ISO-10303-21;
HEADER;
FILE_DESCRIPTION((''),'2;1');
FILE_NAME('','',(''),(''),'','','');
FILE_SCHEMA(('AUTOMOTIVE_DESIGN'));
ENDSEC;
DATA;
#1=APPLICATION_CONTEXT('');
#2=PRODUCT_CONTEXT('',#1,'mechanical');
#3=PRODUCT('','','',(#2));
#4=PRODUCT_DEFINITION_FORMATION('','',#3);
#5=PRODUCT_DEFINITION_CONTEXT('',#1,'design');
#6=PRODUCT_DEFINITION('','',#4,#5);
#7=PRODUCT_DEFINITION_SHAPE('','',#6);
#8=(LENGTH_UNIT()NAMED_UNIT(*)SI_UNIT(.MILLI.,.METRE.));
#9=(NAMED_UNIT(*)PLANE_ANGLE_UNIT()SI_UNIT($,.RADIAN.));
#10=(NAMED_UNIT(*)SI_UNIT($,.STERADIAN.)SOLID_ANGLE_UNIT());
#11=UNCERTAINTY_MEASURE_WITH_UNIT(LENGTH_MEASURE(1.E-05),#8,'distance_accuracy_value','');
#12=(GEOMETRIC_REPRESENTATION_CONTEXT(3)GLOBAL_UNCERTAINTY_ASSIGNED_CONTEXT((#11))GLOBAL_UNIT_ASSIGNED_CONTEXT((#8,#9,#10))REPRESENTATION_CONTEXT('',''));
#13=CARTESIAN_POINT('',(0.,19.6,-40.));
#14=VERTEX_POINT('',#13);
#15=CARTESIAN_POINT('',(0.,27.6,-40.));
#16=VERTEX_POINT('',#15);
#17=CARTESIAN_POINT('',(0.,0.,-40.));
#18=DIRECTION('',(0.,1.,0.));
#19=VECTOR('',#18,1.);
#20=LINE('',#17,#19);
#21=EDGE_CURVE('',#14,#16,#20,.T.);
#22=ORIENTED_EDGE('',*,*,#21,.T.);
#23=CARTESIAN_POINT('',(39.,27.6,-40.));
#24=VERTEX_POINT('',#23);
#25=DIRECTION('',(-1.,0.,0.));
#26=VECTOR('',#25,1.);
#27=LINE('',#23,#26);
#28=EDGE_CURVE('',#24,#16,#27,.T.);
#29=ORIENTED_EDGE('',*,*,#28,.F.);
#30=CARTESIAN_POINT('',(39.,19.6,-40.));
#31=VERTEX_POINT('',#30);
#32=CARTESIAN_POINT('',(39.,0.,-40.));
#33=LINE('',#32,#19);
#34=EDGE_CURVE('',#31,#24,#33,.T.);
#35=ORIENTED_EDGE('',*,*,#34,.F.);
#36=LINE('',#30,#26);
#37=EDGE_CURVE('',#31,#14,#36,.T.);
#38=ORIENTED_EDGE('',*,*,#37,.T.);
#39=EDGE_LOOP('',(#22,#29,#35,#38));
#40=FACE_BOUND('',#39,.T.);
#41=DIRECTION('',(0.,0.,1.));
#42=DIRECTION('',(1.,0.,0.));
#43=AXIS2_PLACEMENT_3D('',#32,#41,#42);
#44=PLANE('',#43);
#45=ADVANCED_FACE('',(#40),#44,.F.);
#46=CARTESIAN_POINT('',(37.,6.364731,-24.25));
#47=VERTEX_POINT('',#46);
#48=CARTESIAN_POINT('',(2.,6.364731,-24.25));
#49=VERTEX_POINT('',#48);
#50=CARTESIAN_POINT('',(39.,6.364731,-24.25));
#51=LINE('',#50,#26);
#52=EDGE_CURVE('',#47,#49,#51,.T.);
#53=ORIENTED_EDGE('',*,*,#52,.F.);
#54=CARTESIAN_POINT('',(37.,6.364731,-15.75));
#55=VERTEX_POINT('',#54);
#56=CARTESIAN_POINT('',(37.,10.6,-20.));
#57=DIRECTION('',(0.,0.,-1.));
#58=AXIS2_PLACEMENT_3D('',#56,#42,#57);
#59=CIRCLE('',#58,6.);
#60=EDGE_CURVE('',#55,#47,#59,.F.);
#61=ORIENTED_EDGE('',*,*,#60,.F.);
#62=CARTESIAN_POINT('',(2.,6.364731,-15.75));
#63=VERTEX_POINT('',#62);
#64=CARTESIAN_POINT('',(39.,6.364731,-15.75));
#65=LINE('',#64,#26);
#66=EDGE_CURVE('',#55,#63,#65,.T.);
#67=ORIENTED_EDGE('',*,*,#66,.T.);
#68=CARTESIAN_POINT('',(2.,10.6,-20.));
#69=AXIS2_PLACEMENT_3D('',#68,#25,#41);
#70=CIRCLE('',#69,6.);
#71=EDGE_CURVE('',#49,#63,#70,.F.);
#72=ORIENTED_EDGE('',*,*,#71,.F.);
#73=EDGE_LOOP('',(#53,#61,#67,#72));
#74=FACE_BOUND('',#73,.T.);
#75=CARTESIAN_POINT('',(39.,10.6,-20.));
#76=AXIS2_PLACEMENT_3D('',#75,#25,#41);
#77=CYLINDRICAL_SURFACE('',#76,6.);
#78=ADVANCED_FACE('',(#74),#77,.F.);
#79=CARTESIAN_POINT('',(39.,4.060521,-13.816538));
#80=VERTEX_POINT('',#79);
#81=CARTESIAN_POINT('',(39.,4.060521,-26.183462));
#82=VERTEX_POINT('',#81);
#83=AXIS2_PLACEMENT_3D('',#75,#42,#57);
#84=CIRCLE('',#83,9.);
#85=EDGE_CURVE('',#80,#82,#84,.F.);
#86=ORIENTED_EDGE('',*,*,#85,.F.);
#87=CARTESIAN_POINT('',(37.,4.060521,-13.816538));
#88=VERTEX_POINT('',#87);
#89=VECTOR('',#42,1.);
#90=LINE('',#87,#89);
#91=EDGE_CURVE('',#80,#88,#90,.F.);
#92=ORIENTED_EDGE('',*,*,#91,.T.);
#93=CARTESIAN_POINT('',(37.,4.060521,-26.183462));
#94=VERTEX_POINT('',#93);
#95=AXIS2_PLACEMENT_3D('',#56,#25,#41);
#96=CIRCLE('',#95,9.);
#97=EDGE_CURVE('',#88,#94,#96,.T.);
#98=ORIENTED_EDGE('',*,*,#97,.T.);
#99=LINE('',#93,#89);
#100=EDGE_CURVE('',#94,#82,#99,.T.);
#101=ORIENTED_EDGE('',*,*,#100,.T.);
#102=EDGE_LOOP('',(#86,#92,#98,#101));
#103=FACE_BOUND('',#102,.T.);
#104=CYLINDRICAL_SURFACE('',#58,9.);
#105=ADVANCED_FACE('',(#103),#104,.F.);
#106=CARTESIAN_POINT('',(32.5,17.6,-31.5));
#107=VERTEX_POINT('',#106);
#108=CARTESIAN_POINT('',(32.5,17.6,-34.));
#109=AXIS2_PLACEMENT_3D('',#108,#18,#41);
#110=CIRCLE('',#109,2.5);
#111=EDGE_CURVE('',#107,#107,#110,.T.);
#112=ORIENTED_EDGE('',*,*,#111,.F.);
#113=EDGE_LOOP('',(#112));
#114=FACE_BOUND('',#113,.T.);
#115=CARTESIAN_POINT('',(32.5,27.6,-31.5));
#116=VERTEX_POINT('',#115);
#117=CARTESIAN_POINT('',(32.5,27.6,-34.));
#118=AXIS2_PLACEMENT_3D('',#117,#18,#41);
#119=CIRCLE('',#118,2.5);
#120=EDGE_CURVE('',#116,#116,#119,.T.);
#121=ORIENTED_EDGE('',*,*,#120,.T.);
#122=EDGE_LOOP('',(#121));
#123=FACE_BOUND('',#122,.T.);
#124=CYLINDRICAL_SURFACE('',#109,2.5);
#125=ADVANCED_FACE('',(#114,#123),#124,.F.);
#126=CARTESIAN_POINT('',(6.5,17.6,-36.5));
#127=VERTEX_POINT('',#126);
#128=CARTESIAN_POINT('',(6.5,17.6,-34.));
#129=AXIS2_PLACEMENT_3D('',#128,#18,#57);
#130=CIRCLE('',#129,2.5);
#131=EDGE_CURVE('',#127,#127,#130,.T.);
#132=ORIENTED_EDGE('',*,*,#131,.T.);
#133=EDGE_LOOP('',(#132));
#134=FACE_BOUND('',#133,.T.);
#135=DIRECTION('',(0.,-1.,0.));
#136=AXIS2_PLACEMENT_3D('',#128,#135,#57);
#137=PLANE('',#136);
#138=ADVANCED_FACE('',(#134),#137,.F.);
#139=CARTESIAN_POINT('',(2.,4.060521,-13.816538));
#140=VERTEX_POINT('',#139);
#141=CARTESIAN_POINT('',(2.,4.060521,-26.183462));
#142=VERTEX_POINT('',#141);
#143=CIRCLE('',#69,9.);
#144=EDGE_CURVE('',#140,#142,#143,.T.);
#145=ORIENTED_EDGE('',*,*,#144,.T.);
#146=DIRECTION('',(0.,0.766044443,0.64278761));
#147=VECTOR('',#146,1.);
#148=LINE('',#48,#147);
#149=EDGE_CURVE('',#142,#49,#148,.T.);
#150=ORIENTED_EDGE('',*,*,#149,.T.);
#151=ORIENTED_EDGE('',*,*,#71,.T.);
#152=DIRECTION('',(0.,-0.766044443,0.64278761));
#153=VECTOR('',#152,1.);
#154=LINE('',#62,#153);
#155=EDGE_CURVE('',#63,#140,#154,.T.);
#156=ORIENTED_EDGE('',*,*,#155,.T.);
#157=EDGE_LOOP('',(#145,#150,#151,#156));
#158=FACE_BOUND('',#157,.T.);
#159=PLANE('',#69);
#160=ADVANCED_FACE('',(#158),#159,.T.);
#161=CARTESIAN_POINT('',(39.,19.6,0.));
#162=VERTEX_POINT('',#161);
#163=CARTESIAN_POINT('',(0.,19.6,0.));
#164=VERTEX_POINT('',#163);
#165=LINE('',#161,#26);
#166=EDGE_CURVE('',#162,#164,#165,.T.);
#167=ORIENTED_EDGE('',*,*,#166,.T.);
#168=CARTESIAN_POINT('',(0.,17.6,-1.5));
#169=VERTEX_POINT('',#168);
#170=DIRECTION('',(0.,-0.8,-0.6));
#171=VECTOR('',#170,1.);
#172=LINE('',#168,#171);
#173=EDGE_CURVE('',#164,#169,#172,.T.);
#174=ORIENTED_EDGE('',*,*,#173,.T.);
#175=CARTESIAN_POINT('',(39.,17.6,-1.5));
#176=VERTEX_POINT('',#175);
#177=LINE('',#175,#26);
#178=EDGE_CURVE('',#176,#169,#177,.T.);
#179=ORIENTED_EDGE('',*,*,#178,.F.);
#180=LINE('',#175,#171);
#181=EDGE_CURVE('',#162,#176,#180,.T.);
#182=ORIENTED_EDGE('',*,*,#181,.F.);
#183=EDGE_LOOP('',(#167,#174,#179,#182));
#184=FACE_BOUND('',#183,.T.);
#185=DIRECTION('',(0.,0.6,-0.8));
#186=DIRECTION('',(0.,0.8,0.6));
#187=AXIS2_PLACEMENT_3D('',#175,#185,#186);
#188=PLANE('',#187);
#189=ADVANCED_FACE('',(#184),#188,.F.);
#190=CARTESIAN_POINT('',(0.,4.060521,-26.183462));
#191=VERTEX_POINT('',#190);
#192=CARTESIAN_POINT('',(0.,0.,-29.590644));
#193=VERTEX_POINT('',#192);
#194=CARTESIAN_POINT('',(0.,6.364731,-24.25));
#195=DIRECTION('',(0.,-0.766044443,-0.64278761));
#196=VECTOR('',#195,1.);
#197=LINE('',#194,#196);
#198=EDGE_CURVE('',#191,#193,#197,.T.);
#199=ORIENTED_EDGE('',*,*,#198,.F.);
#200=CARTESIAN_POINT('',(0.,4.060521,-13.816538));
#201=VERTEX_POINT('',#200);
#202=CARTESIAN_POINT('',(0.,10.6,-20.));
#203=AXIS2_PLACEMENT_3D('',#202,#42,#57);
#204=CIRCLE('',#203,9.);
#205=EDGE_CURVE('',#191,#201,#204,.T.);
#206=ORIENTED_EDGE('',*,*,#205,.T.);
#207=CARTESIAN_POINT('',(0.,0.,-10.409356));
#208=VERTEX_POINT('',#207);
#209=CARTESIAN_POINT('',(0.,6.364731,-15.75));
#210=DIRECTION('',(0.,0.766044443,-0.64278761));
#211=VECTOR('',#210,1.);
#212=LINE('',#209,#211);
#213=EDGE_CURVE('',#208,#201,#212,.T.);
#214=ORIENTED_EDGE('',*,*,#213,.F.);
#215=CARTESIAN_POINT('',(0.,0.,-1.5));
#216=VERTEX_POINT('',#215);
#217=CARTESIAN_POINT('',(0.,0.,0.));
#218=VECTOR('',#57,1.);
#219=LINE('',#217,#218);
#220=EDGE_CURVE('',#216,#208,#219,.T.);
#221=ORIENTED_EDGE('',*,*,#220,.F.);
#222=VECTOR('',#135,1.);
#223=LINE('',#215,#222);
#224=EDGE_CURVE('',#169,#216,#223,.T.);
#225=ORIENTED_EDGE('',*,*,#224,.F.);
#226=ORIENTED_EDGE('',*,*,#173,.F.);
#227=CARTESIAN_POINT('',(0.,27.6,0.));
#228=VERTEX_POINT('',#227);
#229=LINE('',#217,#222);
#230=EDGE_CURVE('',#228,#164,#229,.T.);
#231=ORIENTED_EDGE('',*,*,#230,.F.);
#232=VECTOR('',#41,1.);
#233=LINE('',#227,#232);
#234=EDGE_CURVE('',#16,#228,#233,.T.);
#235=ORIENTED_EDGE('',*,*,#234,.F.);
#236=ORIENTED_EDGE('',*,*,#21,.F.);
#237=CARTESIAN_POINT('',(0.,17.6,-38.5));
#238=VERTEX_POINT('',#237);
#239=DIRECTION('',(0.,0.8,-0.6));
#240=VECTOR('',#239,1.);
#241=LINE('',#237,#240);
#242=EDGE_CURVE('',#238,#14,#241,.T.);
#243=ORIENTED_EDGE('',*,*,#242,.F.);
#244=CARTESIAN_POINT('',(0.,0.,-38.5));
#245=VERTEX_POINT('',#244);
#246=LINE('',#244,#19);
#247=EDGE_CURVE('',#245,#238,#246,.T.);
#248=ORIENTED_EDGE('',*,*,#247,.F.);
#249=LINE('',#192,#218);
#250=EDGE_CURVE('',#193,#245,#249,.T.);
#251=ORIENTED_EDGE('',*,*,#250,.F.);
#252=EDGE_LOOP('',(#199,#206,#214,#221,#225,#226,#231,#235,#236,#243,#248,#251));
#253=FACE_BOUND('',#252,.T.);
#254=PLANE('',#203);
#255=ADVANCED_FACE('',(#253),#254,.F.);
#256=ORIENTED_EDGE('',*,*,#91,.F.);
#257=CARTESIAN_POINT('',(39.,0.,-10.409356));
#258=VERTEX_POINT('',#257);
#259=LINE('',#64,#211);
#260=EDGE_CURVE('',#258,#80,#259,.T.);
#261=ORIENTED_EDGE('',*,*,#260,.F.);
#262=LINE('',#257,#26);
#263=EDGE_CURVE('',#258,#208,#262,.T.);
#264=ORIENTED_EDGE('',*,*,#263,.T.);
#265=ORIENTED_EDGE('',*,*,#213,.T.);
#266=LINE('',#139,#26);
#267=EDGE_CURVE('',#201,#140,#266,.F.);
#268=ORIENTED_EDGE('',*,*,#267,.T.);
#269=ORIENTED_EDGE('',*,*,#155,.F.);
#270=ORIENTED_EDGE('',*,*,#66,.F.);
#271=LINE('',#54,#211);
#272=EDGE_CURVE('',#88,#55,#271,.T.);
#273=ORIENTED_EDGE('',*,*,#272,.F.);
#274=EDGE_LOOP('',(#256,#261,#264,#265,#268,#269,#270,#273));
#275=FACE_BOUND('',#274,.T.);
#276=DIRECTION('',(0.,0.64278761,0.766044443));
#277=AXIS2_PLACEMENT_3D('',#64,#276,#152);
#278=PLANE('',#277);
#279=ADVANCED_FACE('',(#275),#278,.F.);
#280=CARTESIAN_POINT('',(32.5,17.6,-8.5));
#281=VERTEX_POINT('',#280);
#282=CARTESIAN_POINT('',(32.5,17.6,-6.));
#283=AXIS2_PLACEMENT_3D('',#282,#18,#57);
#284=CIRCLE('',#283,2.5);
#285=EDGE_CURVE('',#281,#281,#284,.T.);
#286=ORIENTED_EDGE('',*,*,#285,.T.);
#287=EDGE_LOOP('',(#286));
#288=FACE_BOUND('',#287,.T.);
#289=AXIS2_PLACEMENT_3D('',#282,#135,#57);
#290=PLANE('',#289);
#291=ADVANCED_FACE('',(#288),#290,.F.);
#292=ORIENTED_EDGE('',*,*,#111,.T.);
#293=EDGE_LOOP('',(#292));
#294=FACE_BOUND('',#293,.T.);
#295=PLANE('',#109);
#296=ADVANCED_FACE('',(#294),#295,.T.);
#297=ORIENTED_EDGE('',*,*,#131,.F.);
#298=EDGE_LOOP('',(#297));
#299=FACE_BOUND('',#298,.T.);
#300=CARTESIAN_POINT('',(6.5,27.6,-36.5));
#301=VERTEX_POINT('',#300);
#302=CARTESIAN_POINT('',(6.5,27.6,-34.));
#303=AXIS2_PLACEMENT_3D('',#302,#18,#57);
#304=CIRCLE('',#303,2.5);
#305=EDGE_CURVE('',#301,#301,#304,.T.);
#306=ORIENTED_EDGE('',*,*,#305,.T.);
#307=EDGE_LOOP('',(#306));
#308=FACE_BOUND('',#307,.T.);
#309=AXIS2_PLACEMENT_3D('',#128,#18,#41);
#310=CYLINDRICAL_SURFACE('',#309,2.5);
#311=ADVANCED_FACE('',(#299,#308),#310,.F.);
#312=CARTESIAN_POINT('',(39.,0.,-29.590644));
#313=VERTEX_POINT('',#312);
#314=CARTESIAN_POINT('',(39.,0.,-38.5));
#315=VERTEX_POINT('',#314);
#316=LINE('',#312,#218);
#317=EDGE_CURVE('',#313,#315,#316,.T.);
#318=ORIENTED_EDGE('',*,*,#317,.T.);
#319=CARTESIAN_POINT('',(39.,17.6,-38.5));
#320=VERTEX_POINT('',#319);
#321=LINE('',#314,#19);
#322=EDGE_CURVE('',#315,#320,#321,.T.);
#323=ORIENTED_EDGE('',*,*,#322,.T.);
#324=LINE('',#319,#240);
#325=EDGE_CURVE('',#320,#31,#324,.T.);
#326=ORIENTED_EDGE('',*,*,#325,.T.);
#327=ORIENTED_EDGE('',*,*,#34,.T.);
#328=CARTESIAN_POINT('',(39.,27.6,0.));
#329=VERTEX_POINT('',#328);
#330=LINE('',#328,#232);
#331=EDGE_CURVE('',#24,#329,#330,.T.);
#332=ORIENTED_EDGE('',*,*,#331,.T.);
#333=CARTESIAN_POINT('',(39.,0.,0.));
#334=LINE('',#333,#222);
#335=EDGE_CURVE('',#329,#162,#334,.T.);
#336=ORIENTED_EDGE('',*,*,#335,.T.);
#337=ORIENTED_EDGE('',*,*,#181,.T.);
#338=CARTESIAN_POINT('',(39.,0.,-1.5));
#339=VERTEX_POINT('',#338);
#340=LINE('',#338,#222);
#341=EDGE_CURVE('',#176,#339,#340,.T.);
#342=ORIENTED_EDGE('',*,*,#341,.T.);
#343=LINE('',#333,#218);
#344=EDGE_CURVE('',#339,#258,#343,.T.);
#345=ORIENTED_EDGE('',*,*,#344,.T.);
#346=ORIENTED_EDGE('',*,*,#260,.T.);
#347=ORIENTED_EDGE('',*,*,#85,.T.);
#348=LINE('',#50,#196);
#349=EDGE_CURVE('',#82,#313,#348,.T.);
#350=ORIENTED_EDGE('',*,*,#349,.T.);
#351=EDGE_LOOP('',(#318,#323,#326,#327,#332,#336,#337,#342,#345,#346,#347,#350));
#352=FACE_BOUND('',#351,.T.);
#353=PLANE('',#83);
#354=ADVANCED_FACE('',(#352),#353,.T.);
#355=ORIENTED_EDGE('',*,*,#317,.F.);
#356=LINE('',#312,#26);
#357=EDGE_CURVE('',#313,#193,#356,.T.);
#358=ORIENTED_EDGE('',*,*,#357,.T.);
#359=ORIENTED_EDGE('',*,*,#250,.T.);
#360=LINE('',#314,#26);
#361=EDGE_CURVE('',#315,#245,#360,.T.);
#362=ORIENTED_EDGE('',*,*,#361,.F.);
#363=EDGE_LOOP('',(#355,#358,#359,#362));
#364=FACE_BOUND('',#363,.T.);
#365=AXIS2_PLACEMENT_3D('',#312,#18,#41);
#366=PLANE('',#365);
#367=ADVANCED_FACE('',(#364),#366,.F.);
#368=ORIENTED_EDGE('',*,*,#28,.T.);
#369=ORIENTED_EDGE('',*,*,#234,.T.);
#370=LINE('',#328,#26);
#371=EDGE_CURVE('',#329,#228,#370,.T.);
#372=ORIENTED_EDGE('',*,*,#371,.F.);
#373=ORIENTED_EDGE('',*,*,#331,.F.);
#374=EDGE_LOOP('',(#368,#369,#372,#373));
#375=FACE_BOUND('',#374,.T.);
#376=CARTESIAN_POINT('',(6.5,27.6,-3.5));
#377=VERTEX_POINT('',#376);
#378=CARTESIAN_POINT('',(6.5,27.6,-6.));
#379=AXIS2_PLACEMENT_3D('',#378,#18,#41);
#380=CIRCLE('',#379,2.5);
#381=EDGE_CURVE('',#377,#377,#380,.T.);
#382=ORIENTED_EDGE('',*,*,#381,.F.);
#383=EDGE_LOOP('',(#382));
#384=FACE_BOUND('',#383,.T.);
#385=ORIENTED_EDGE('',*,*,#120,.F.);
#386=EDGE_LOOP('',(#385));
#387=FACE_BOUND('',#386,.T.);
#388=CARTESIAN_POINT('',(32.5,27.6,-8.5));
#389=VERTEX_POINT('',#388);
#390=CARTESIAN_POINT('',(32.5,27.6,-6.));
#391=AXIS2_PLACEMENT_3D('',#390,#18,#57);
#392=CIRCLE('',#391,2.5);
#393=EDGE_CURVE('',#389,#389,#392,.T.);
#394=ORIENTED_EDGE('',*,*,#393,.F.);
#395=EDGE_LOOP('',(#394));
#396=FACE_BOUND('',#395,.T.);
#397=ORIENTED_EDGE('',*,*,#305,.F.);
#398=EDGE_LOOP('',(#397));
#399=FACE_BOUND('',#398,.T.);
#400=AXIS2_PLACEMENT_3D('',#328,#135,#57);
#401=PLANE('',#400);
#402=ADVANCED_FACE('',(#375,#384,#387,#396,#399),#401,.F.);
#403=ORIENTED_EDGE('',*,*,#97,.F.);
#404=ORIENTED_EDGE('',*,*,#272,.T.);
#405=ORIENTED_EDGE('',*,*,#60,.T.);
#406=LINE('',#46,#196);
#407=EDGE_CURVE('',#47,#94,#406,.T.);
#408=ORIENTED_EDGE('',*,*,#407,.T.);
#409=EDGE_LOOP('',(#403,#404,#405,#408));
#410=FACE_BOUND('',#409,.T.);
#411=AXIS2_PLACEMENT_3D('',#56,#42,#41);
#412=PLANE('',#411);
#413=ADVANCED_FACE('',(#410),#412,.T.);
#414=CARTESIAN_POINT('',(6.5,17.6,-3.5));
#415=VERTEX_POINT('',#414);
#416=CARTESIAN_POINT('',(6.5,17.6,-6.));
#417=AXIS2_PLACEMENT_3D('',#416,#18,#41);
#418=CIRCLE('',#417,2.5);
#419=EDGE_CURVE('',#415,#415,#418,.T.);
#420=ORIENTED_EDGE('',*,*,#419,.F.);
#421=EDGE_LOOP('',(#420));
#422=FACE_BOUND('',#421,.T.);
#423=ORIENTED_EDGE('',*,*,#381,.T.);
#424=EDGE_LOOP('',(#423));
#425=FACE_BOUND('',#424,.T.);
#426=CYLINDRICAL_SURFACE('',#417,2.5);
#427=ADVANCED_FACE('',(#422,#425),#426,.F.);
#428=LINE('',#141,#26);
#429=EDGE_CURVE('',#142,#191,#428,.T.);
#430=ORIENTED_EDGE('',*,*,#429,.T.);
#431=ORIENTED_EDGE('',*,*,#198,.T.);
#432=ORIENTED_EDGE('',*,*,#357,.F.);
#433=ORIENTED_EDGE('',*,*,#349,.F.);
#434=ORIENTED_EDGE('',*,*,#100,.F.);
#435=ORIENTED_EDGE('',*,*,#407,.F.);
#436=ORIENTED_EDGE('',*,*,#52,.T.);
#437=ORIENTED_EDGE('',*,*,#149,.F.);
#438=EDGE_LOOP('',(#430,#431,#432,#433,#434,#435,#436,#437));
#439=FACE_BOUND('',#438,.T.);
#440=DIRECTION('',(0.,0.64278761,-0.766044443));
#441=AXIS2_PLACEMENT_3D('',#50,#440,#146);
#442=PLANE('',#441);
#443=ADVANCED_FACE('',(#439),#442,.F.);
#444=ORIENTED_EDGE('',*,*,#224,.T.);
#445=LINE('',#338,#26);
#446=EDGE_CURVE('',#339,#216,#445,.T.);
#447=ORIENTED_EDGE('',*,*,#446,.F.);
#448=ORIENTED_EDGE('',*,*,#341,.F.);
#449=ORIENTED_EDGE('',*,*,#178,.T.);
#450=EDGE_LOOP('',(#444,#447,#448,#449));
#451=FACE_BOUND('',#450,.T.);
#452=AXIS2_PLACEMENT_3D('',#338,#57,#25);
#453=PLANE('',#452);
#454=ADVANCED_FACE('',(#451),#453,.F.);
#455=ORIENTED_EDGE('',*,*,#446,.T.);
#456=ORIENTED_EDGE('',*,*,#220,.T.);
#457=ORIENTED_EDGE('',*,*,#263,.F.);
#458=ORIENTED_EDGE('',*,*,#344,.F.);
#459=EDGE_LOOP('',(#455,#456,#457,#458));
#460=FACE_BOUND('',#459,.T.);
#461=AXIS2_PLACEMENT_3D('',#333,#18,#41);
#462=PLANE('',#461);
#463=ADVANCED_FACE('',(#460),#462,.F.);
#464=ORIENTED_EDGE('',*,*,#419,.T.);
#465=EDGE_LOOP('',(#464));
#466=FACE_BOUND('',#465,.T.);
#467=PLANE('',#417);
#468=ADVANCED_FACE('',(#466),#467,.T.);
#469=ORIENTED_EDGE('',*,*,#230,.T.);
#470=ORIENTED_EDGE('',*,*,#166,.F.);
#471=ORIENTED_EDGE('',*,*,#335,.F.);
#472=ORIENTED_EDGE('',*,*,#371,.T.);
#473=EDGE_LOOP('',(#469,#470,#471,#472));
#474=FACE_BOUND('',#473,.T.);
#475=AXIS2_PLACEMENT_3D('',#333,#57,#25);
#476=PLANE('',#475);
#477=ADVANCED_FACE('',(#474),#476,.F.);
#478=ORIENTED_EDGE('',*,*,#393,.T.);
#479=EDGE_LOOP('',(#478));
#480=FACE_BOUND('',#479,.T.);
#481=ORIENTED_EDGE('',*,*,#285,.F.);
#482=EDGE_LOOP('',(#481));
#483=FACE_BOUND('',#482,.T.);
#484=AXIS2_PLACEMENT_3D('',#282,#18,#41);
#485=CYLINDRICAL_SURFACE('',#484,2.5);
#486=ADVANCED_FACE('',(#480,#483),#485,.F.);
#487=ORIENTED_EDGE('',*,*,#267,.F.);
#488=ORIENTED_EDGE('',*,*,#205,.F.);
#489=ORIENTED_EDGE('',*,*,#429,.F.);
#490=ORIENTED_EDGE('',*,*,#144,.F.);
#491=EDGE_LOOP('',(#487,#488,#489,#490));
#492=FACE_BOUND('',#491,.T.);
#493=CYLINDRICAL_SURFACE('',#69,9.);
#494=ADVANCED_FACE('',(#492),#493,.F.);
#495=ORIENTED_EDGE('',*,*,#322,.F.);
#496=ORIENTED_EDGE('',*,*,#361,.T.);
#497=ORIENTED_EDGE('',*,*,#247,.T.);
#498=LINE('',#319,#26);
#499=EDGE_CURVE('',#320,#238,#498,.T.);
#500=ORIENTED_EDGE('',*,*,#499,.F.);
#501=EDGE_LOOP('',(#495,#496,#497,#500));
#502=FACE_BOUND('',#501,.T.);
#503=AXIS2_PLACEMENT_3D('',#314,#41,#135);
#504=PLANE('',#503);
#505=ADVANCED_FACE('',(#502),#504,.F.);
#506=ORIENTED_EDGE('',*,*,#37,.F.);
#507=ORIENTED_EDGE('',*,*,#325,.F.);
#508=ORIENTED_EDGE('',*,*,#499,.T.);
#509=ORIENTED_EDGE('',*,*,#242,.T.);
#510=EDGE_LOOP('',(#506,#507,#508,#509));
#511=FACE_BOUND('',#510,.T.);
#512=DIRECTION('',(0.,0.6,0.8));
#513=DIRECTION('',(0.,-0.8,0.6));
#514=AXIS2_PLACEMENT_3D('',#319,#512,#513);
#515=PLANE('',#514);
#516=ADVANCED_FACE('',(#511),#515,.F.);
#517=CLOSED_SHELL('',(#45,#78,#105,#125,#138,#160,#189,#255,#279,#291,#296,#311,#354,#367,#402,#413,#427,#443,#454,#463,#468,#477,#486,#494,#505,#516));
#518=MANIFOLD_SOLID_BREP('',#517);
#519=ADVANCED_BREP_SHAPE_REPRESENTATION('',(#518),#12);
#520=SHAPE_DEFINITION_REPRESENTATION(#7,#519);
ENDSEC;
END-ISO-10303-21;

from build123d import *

# Parameters (mm, degrees)
EXTRUDE_1_DEPTH     = 39
SKETCH_3_R          = 9
CUT_EXTRUDE_1_DEPTH = 2
SKETCH_4_R          = 2.5
CUT_EXTRUDE_2_DEPTH = 10
CUT_EXTRUDE_4_DEPTH = 63.311796636


with BuildPart() as part:
    # 草图1 → 凸台-拉伸1 (new body)
    with BuildSketch(Plane(origin=(0, 0, 0), x_dir=(0, 0, -1), z_dir=(1, 0, 0))):
        with BuildLine():
            Line((0, 0), (10.409356218, 0))
            Line((10.409356218, 0), (15.75, 6.364731413))
            ThreePointArc((15.75, 6.364731413), (20, 16.6), (24.25, 6.364731413))
            Line((24.25, 6.364731413), (29.590643782, 0))
            Line((29.590643782, 0), (40, 0))
            Line((40, 0), (40, 27.6))
            Line((40, 27.6), (0, 27.6))
            Line((0, 27.6), (0, 0))
        make_face()
    extrude(amount=EXTRUDE_1_DEPTH)

    # 草图3 → 切除-拉伸1 (cut)
    with BuildSketch(Plane.ZY):
        with Locations((-20, 10.6)):
            Circle(SKETCH_3_R)
    cut_extrude_1 = extrude(amount=-CUT_EXTRUDE_1_DEPTH, mode=Mode.SUBTRACT)

    # 镜向1: 切除-拉伸1 across plane
    add(cut_extrude_1.mirror(Plane(origin=(19.5, 0, 0), x_dir=(0, 0, 1), z_dir=(1, 0, 0))), mode=Mode.SUBTRACT)

    # 草图4 → 切除-拉伸2 (cut)
    with BuildSketch(Plane(origin=(0, 27.6, 0), x_dir=(1, 0, 0), z_dir=(0, 1, 0))):
        with Locations(Location((6.5, 6, 0), (0, 0, 270))):
            Circle(SKETCH_4_R)
        with Locations(Location((6.5, 34, 0), (0, 0, 90))):
            Circle(SKETCH_4_R)
        with Locations(Location((32.5, 6, 0), (0, 0, 90))):
            Circle(SKETCH_4_R)
        with Locations(Location((32.5, 34, 0), (0, 0, 270))):
            Circle(SKETCH_4_R)
    extrude(amount=-CUT_EXTRUDE_2_DEPTH, mode=Mode.SUBTRACT)

    # 草图5 → 切除-拉伸4 (cut, through all)
    with BuildSketch(Plane.ZY):
        Polygon((0, 0), (-1.5, 0), (-1.5, 17.6), (0, 19.6), align=None)
        Polygon((-40, 19.6), (-40, 0), (-38.5, 0), (-38.5, 17.6), align=None)
    extrude(amount=-CUT_EXTRUDE_4_DEPTH, mode=Mode.SUBTRACT)


solid = part.part
